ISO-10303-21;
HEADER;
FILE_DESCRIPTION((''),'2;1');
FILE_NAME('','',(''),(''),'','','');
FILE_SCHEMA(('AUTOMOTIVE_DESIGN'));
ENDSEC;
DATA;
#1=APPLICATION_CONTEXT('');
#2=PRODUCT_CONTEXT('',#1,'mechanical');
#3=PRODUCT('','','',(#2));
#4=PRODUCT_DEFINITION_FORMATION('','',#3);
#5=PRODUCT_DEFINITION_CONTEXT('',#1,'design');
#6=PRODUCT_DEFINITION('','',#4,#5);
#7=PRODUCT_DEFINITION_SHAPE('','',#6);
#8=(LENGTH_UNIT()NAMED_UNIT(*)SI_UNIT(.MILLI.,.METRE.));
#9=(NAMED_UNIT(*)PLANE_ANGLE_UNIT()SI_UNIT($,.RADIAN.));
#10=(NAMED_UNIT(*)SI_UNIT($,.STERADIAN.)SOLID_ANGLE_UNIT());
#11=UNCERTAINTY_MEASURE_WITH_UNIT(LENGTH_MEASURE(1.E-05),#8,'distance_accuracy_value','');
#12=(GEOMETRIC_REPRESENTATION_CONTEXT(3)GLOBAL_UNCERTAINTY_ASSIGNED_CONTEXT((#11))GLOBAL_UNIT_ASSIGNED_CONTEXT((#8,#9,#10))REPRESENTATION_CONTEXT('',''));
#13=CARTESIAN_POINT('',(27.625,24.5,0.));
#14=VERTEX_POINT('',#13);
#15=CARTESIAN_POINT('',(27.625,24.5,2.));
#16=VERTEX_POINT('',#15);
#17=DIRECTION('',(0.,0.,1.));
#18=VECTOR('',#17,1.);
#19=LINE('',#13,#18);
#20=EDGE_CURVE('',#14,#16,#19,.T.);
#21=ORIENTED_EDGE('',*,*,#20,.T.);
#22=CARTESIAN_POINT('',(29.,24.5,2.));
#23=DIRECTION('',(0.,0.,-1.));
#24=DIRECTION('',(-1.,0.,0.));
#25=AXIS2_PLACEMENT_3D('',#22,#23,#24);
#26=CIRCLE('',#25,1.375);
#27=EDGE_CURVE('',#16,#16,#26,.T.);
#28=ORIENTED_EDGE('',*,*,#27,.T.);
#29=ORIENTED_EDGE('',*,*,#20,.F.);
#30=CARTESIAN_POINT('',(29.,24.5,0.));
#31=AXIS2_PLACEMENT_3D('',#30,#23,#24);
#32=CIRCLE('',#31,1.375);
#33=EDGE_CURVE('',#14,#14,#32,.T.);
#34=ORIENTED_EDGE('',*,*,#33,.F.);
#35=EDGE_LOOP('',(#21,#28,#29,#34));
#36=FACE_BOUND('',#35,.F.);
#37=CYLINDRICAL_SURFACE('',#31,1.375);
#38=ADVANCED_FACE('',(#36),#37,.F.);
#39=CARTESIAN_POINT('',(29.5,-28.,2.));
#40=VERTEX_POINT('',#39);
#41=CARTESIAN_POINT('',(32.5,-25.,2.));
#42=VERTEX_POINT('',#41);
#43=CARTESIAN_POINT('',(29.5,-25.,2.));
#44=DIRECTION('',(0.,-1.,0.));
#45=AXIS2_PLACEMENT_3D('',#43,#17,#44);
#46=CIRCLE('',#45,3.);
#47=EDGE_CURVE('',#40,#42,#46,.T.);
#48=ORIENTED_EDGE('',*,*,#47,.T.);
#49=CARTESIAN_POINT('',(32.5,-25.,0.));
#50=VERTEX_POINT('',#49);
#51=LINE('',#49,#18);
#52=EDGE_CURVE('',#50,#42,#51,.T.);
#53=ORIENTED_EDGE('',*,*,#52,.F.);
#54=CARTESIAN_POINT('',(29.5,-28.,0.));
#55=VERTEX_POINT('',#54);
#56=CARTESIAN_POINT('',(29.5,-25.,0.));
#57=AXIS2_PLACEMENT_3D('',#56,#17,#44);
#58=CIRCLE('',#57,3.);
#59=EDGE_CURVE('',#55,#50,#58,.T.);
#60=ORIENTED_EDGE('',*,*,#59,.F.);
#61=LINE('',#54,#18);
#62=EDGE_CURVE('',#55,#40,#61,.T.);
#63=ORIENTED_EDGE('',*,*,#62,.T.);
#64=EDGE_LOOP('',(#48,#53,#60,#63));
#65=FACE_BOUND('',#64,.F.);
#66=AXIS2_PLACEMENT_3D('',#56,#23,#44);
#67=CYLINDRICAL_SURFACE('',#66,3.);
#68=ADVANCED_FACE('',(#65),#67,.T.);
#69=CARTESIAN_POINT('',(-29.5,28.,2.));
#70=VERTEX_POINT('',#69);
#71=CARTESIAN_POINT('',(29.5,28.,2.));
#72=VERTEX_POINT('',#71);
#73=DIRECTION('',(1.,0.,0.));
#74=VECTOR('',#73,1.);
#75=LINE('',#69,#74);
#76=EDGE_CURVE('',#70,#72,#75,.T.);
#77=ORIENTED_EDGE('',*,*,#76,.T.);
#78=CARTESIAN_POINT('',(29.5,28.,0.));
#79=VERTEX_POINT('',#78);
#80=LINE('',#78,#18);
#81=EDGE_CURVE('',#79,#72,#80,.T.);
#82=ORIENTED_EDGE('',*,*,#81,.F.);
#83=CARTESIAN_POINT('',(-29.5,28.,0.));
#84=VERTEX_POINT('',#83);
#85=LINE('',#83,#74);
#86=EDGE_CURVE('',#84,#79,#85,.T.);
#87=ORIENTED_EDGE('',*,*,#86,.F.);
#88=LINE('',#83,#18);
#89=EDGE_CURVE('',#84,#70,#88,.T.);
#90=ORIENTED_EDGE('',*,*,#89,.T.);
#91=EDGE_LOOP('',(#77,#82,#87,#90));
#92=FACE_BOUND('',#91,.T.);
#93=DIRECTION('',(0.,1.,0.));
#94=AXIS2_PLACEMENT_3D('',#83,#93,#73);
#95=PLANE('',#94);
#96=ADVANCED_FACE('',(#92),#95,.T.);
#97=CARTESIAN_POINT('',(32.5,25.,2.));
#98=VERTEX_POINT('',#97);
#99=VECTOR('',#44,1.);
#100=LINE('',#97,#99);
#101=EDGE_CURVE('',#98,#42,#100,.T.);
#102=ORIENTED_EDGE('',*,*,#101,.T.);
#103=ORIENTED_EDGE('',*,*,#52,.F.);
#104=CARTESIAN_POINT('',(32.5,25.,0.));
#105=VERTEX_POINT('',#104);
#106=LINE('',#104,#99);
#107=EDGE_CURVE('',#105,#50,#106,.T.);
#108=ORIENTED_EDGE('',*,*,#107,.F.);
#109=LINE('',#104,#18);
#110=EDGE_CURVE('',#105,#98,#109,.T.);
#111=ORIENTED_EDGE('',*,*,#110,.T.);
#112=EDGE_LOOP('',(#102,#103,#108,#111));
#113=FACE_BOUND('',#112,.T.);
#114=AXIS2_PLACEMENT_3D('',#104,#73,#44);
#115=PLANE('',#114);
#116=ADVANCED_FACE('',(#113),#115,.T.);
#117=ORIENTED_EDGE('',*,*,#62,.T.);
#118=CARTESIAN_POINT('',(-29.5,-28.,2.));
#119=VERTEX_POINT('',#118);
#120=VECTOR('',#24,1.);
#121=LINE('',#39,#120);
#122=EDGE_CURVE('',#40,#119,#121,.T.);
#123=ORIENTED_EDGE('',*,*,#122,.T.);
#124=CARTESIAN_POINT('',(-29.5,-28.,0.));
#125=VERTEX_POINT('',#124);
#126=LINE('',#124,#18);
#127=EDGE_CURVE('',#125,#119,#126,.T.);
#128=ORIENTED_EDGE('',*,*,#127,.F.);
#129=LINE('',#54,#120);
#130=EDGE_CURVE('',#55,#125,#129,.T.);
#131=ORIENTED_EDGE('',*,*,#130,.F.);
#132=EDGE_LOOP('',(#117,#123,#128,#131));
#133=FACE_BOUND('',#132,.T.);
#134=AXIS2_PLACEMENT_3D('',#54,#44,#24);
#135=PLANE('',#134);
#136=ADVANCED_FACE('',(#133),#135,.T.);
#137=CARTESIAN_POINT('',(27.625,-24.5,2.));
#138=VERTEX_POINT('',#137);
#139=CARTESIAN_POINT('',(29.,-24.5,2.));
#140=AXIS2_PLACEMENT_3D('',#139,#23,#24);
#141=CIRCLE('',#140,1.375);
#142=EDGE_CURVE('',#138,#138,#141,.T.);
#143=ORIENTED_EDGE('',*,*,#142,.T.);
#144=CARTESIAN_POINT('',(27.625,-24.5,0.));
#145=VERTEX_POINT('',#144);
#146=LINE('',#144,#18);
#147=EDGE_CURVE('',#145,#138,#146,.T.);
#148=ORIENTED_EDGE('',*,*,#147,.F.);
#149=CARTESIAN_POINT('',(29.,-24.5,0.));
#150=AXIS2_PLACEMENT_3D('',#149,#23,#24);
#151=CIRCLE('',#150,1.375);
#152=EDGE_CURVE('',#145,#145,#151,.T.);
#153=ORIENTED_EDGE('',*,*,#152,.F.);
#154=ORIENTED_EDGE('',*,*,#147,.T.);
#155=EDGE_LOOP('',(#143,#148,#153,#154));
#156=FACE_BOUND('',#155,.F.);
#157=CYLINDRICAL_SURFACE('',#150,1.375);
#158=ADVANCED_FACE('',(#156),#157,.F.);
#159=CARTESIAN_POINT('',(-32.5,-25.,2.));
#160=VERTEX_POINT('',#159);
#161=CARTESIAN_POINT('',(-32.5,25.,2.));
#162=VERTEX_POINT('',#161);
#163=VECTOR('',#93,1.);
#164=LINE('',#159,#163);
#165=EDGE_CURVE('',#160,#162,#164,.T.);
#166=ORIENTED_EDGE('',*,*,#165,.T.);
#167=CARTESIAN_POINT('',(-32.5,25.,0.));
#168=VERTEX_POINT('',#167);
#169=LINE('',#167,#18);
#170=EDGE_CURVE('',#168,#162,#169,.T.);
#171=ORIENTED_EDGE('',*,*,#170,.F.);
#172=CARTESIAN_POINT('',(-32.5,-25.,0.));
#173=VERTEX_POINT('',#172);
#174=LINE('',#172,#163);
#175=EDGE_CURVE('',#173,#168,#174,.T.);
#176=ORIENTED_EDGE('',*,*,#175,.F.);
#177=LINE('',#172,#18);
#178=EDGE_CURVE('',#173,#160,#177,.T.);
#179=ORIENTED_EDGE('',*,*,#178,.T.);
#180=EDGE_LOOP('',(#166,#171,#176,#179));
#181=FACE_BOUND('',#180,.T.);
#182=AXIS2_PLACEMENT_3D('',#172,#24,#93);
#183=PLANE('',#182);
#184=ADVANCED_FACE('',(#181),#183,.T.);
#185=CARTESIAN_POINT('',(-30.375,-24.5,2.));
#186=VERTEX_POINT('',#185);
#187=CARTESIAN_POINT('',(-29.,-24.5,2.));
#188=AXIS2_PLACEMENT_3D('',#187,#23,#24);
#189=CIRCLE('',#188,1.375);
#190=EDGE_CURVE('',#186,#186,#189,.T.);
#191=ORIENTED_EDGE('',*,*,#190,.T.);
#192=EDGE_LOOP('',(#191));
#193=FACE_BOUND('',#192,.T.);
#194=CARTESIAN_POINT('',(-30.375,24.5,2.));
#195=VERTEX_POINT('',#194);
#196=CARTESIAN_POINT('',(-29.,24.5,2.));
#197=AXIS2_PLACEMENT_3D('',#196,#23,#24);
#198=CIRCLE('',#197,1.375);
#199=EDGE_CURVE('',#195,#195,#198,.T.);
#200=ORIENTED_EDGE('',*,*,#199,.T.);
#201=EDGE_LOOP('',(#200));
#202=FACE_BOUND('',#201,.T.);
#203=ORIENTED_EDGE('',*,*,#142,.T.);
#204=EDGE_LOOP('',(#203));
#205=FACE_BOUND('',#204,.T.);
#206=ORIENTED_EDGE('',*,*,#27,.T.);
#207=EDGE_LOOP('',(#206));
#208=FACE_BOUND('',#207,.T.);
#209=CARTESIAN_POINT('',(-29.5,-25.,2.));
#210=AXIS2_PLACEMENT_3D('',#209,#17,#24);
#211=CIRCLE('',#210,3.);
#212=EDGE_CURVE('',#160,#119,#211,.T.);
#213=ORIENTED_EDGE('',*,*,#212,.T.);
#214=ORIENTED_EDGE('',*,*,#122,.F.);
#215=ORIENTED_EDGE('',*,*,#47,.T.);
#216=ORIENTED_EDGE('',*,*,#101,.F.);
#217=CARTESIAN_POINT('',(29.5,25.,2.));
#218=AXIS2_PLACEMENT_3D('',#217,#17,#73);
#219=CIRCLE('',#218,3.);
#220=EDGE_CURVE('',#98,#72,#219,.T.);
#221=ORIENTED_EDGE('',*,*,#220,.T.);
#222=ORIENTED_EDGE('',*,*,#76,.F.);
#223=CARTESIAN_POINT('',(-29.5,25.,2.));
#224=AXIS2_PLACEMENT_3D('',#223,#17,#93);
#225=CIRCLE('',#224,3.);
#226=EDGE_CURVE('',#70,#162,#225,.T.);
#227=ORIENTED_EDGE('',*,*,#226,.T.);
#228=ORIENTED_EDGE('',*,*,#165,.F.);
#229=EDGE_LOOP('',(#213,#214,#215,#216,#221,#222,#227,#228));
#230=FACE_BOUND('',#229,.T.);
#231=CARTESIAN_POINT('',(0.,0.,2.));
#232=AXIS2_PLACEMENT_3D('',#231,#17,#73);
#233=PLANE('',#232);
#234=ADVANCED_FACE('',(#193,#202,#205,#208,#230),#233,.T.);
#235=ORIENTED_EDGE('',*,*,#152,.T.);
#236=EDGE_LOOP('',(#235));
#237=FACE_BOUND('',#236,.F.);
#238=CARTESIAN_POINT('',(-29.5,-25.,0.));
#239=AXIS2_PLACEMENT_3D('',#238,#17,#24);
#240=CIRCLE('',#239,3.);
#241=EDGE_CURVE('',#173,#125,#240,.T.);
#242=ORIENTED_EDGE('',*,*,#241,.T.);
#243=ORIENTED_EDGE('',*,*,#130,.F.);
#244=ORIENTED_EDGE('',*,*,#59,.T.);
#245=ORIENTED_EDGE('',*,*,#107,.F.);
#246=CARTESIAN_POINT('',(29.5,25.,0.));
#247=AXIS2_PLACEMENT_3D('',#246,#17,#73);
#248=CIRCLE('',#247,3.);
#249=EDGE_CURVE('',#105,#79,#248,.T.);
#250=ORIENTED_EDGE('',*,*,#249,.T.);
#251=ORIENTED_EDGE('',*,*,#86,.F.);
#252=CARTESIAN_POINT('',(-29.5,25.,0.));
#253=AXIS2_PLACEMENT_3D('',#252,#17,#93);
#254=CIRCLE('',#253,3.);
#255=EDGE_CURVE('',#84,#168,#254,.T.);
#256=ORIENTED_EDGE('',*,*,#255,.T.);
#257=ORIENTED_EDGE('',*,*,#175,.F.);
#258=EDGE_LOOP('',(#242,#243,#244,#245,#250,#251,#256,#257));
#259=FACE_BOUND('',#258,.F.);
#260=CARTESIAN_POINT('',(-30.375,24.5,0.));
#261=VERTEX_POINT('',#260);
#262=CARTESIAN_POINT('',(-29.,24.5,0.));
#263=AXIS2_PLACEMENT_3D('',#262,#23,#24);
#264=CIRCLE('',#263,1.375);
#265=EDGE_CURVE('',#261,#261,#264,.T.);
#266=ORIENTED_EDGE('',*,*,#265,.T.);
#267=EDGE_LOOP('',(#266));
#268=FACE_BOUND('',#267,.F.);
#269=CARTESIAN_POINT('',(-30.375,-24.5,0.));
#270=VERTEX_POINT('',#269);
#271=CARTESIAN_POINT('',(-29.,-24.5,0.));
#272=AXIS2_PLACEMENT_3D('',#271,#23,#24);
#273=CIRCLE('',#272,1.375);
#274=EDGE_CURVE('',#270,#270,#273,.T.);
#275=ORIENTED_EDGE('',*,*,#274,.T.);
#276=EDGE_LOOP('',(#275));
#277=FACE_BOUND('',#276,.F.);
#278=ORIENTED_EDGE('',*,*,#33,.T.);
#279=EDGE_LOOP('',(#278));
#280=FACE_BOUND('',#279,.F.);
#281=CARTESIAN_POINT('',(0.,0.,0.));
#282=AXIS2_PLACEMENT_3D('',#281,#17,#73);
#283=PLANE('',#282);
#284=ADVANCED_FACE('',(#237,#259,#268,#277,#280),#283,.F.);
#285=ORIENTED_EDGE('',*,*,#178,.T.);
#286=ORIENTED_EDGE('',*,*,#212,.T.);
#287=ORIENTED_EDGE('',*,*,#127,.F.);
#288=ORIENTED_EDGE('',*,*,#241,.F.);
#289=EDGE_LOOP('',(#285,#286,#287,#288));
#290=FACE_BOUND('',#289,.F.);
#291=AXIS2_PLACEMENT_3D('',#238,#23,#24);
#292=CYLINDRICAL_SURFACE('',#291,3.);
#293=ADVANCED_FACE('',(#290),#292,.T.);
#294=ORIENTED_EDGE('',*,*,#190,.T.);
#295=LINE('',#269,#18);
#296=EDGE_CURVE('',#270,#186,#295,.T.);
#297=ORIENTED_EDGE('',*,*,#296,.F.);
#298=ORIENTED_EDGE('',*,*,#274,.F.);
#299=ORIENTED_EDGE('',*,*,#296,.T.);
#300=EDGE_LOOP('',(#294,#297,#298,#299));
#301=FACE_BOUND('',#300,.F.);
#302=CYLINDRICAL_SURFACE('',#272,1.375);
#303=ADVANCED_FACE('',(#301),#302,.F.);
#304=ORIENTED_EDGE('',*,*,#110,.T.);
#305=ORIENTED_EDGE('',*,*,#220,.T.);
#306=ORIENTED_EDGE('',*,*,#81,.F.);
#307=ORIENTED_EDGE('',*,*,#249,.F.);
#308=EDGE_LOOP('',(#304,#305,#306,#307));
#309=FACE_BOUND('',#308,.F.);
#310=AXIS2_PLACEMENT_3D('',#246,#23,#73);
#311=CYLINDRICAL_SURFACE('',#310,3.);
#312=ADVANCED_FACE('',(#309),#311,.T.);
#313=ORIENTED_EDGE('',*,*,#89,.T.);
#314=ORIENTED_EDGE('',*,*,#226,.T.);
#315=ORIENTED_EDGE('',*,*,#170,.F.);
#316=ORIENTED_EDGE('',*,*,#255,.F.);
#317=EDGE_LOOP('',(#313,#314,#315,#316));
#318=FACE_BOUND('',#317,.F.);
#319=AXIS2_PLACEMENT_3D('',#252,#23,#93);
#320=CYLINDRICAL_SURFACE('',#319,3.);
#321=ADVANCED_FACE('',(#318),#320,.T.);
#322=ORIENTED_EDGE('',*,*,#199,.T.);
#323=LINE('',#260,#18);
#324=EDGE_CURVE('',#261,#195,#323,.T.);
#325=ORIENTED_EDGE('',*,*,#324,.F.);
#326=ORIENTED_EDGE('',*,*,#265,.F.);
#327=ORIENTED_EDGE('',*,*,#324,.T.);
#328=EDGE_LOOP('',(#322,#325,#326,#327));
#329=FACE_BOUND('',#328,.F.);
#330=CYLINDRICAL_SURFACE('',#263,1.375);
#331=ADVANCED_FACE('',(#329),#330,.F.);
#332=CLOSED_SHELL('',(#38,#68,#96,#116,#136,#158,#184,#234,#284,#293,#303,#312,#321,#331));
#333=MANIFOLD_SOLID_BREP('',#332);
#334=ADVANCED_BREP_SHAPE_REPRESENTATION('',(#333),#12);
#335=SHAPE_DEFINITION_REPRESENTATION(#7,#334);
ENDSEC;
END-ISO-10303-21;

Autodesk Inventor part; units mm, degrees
ref_plane "YZ Plane" through (0, 0, 0) normal (1, 0, 0) x (0, 1, 0)
ref_plane "XZ Plane" through (0, 0, 0) normal (0, 1, 0) x (-1, 0, 0)
ref_plane "XY Plane" through (0, 0, 0) normal (0, 0, 1) x (1, 0, 0)
sketch "Sketch1" plane through (0, 0, 0) normal (0, 0, 1) x (1, 0, 0)
  line L0 (-29.5, 28) -> (29.5, 28)
  line L1 (32.5, 25) -> (32.5, -25)
  line L2 (29.5, -28) -> (-29.5, -28)
  line L3 (-32.5, -25) -> (-32.5, 25)
  arc A0 (-29.5, 28) -> (-32.5, 25) centre (-29.5, 25) ccw
  arc A1 (32.5, 25) -> (29.5, 28) centre (29.5, 25) ccw
  arc A2 (29.5, -28) -> (32.5, -25) centre (29.5, -25) ccw
  arc A3 (-32.5, -25) -> (-29.5, -28) centre (-29.5, -25) ccw
  point P0 (0, 0)
  point P1 (-32.5, 28)
  point P2 (32.5, 28)
  point P3 (-32.5, -28)
  dimension "d0" = 65
  dimension "d1" = 56
  dimension "d2" = 28
  dimension "d3" = 32.5
  dimension "d4" = 3
extrude "Extrusion1" add sketch "Sketch1" along normal blind 2
sketch "Sketch2" plane through (0, 0, 0) normal (0, 0, -1) x (-1, 0, 0)
  circle A0 centre (29, 24.5) radius 1.375 projected
  circle A1 centre (-29, 24.5) radius 1.375 projected
  circle A2 centre (-29, -24.5) radius 1.375 projected
  circle A3 centre (29, -24.5) radius 1.375 projected
  point P0 (0, 0)
extrude "Extrusion2" cut sketch "Sketch2" against normal through all
equation "\"d2\" = 0.5 * d1"
equation "\"d3\" = 0.5 * d0"
properties part number "Touchscreen PCB"
